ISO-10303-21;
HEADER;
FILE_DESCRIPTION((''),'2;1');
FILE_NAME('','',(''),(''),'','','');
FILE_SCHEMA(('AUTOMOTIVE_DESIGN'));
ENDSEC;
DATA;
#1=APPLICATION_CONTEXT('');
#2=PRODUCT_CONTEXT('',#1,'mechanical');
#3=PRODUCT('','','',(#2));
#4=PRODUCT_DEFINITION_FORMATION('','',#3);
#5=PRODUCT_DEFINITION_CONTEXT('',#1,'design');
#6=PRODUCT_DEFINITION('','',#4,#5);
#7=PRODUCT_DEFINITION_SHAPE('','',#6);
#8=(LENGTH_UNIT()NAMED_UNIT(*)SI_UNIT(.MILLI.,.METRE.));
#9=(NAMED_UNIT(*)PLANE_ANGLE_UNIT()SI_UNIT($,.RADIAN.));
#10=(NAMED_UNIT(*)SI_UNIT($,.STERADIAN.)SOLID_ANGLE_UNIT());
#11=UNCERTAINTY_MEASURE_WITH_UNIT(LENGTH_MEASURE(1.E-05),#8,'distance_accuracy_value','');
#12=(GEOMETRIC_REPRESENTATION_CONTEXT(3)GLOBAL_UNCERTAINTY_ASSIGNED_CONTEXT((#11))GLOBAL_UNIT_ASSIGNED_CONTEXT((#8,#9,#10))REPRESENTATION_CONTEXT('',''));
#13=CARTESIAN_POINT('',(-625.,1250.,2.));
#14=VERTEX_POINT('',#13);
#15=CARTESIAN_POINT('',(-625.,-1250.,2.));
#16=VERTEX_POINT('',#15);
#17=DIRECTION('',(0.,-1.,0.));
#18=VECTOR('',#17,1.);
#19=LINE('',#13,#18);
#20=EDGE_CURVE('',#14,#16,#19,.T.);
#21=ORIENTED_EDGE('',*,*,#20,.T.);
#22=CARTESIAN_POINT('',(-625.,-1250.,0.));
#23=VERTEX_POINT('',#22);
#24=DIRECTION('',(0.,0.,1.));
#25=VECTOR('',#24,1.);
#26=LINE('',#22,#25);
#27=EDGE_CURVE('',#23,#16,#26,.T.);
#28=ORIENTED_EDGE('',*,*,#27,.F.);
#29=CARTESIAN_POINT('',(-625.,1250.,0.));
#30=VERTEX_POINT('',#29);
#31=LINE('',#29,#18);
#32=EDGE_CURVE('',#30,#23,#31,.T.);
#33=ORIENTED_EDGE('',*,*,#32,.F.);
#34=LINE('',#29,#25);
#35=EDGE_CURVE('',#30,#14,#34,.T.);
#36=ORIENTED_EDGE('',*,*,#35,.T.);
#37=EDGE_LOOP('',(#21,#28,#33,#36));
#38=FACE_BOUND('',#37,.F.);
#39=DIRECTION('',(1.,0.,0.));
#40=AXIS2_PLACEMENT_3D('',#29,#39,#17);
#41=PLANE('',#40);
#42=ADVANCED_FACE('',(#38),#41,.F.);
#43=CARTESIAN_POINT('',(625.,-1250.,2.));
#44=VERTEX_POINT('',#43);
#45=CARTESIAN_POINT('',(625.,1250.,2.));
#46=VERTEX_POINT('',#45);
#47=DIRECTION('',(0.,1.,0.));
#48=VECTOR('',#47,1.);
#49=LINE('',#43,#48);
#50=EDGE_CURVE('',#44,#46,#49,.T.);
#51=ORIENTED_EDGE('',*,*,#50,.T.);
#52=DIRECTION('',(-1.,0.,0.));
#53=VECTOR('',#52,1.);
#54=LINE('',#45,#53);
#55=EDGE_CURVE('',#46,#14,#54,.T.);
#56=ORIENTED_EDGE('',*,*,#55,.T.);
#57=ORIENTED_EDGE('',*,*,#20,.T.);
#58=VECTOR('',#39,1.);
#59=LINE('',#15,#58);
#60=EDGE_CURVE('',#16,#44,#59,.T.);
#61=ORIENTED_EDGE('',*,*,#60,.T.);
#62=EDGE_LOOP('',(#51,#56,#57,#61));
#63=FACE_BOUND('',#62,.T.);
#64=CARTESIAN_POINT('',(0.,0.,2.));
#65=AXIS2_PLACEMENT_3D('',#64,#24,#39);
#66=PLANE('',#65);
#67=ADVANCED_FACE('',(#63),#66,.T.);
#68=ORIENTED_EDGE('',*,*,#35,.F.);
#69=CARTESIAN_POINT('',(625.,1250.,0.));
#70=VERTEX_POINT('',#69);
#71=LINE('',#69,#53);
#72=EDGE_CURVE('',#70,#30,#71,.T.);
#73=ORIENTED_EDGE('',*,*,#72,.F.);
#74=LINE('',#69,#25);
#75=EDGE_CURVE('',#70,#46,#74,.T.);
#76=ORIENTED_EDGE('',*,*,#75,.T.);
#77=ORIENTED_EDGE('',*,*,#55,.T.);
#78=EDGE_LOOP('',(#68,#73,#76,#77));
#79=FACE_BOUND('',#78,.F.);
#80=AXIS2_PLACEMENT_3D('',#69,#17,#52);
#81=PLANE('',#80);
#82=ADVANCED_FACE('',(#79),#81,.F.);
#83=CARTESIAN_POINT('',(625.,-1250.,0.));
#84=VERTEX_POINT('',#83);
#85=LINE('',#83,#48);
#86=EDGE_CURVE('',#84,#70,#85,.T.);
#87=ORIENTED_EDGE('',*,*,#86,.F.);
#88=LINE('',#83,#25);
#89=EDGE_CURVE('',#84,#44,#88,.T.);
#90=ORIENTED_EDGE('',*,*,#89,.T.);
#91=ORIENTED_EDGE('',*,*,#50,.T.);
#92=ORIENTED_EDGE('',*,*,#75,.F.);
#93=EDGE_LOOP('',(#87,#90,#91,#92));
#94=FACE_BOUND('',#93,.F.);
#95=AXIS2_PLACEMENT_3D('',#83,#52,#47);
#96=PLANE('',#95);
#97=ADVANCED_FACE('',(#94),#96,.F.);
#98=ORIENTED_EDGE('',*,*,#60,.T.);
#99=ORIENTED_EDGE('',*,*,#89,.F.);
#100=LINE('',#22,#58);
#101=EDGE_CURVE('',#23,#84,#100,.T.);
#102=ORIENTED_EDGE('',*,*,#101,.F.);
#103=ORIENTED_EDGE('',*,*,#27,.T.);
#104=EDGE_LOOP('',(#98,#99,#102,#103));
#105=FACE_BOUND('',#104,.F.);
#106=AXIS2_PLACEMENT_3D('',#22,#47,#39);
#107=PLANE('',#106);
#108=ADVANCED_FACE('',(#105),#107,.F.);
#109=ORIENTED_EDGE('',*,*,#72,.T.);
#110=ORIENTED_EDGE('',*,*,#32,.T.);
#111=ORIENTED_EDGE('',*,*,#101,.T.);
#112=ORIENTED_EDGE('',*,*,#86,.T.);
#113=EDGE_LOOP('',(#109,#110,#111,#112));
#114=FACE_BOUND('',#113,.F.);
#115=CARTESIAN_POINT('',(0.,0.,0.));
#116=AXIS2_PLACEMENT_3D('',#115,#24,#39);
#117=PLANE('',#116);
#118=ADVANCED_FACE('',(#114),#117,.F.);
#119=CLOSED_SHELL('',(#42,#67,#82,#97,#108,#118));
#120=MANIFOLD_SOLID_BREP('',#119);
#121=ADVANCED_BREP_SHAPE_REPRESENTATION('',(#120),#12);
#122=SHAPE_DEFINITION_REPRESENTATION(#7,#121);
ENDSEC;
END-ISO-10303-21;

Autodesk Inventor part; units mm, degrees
ref_plane "YZ Plane" through (0, 0, 0) normal (1, 0, 0) x (0, 1, 0)
ref_plane "XZ Plane" through (0, 0, 0) normal (0, 1, 0) x (-1, 0, 0)
ref_plane "XY Plane" through (0, 0, 0) normal (0, 0, 1) x (1, 0, 0)
sketch "Sketch1" plane through (0, 0, 0) normal (0, 0, 1) x (1, 0, 0)
  line L0 (-625, -1250) -> (625, -1250)
  line L1 (625, -1250) -> (625, 1250)
  line L2 (625, 1250) -> (-625, 1250)
  line L3 (-625, 1250) -> (-625, -1250)
  line L4 (-625, -1250) -> (625, 1250) construction
  line L5 (625, -1250) -> (-625, 1250) construction
  point P0 (0, 0)
  dimension "d154" = 1250
  dimension "d155" = 2500
extrude "Plate5" add sketch "Sketch1" along normal blind 2
properties part number "PNS-0111 floor sheet 1" material "Stainless Steel"
